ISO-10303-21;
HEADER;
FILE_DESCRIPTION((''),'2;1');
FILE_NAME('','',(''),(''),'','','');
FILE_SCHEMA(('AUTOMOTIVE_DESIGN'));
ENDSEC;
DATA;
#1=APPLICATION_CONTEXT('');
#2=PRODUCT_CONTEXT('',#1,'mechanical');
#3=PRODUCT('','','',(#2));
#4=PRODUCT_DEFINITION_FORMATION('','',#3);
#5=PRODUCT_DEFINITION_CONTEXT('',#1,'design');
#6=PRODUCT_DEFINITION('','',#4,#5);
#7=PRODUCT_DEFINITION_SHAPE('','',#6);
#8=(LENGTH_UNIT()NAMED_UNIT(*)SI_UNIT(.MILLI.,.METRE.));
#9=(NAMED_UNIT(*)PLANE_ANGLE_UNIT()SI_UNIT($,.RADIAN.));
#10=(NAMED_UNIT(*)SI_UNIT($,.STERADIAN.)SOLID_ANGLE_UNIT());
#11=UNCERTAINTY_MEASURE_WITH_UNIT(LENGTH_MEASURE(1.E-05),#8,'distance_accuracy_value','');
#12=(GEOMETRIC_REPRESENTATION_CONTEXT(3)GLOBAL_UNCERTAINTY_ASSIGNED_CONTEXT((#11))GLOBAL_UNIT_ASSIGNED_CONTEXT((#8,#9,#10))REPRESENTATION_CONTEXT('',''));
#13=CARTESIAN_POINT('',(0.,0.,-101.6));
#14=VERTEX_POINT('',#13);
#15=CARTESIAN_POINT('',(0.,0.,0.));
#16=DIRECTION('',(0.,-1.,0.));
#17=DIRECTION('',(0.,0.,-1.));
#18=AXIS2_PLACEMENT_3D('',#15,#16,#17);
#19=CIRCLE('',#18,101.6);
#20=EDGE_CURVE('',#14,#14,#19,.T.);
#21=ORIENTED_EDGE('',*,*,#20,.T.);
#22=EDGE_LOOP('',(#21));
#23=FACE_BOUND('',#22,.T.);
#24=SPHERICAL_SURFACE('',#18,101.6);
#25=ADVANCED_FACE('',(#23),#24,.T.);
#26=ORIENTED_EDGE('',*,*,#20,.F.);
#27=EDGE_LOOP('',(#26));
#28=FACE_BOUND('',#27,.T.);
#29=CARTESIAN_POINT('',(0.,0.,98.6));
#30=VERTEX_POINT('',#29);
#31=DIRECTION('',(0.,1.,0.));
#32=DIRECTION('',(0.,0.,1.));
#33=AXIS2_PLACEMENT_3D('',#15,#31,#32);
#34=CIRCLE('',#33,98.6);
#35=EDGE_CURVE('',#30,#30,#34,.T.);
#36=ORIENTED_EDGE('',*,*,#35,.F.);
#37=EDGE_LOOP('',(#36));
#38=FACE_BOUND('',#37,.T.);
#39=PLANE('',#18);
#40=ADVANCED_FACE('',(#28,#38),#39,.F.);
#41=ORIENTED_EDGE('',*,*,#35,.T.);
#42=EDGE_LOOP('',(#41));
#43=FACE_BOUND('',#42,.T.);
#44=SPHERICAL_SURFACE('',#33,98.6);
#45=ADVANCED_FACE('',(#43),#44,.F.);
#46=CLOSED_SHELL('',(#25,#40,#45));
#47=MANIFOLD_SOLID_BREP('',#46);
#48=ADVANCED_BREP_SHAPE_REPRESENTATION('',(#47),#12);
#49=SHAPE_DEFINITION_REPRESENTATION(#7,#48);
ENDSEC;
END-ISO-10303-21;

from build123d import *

# Parameters (mm, degrees)
REVOLVE5_ANGLE = 180


with BuildPart() as part:
    # Sketch1 → Revolve5 (revolve)
    with BuildSketch(Plane(origin=(0, 0, 0), x_dir=(1, 0, 0), z_dir=(0, 1, 0))):
        with BuildLine():
            Line((-101.6, 0), (-98.6, 0))
            ThreePointArc((-98.6, 0), (0, -98.6), (98.6, 0))
            Line((98.6, 0), (101.6, 0))
            ThreePointArc((101.6, 0), (0, -101.6), (-101.6, 0))
        make_face()
    revolve(axis=Axis((-90.153599067, 0, 0), (1, 0, 0)), revolution_arc=REVOLVE5_ANGLE)


solid = part.part
